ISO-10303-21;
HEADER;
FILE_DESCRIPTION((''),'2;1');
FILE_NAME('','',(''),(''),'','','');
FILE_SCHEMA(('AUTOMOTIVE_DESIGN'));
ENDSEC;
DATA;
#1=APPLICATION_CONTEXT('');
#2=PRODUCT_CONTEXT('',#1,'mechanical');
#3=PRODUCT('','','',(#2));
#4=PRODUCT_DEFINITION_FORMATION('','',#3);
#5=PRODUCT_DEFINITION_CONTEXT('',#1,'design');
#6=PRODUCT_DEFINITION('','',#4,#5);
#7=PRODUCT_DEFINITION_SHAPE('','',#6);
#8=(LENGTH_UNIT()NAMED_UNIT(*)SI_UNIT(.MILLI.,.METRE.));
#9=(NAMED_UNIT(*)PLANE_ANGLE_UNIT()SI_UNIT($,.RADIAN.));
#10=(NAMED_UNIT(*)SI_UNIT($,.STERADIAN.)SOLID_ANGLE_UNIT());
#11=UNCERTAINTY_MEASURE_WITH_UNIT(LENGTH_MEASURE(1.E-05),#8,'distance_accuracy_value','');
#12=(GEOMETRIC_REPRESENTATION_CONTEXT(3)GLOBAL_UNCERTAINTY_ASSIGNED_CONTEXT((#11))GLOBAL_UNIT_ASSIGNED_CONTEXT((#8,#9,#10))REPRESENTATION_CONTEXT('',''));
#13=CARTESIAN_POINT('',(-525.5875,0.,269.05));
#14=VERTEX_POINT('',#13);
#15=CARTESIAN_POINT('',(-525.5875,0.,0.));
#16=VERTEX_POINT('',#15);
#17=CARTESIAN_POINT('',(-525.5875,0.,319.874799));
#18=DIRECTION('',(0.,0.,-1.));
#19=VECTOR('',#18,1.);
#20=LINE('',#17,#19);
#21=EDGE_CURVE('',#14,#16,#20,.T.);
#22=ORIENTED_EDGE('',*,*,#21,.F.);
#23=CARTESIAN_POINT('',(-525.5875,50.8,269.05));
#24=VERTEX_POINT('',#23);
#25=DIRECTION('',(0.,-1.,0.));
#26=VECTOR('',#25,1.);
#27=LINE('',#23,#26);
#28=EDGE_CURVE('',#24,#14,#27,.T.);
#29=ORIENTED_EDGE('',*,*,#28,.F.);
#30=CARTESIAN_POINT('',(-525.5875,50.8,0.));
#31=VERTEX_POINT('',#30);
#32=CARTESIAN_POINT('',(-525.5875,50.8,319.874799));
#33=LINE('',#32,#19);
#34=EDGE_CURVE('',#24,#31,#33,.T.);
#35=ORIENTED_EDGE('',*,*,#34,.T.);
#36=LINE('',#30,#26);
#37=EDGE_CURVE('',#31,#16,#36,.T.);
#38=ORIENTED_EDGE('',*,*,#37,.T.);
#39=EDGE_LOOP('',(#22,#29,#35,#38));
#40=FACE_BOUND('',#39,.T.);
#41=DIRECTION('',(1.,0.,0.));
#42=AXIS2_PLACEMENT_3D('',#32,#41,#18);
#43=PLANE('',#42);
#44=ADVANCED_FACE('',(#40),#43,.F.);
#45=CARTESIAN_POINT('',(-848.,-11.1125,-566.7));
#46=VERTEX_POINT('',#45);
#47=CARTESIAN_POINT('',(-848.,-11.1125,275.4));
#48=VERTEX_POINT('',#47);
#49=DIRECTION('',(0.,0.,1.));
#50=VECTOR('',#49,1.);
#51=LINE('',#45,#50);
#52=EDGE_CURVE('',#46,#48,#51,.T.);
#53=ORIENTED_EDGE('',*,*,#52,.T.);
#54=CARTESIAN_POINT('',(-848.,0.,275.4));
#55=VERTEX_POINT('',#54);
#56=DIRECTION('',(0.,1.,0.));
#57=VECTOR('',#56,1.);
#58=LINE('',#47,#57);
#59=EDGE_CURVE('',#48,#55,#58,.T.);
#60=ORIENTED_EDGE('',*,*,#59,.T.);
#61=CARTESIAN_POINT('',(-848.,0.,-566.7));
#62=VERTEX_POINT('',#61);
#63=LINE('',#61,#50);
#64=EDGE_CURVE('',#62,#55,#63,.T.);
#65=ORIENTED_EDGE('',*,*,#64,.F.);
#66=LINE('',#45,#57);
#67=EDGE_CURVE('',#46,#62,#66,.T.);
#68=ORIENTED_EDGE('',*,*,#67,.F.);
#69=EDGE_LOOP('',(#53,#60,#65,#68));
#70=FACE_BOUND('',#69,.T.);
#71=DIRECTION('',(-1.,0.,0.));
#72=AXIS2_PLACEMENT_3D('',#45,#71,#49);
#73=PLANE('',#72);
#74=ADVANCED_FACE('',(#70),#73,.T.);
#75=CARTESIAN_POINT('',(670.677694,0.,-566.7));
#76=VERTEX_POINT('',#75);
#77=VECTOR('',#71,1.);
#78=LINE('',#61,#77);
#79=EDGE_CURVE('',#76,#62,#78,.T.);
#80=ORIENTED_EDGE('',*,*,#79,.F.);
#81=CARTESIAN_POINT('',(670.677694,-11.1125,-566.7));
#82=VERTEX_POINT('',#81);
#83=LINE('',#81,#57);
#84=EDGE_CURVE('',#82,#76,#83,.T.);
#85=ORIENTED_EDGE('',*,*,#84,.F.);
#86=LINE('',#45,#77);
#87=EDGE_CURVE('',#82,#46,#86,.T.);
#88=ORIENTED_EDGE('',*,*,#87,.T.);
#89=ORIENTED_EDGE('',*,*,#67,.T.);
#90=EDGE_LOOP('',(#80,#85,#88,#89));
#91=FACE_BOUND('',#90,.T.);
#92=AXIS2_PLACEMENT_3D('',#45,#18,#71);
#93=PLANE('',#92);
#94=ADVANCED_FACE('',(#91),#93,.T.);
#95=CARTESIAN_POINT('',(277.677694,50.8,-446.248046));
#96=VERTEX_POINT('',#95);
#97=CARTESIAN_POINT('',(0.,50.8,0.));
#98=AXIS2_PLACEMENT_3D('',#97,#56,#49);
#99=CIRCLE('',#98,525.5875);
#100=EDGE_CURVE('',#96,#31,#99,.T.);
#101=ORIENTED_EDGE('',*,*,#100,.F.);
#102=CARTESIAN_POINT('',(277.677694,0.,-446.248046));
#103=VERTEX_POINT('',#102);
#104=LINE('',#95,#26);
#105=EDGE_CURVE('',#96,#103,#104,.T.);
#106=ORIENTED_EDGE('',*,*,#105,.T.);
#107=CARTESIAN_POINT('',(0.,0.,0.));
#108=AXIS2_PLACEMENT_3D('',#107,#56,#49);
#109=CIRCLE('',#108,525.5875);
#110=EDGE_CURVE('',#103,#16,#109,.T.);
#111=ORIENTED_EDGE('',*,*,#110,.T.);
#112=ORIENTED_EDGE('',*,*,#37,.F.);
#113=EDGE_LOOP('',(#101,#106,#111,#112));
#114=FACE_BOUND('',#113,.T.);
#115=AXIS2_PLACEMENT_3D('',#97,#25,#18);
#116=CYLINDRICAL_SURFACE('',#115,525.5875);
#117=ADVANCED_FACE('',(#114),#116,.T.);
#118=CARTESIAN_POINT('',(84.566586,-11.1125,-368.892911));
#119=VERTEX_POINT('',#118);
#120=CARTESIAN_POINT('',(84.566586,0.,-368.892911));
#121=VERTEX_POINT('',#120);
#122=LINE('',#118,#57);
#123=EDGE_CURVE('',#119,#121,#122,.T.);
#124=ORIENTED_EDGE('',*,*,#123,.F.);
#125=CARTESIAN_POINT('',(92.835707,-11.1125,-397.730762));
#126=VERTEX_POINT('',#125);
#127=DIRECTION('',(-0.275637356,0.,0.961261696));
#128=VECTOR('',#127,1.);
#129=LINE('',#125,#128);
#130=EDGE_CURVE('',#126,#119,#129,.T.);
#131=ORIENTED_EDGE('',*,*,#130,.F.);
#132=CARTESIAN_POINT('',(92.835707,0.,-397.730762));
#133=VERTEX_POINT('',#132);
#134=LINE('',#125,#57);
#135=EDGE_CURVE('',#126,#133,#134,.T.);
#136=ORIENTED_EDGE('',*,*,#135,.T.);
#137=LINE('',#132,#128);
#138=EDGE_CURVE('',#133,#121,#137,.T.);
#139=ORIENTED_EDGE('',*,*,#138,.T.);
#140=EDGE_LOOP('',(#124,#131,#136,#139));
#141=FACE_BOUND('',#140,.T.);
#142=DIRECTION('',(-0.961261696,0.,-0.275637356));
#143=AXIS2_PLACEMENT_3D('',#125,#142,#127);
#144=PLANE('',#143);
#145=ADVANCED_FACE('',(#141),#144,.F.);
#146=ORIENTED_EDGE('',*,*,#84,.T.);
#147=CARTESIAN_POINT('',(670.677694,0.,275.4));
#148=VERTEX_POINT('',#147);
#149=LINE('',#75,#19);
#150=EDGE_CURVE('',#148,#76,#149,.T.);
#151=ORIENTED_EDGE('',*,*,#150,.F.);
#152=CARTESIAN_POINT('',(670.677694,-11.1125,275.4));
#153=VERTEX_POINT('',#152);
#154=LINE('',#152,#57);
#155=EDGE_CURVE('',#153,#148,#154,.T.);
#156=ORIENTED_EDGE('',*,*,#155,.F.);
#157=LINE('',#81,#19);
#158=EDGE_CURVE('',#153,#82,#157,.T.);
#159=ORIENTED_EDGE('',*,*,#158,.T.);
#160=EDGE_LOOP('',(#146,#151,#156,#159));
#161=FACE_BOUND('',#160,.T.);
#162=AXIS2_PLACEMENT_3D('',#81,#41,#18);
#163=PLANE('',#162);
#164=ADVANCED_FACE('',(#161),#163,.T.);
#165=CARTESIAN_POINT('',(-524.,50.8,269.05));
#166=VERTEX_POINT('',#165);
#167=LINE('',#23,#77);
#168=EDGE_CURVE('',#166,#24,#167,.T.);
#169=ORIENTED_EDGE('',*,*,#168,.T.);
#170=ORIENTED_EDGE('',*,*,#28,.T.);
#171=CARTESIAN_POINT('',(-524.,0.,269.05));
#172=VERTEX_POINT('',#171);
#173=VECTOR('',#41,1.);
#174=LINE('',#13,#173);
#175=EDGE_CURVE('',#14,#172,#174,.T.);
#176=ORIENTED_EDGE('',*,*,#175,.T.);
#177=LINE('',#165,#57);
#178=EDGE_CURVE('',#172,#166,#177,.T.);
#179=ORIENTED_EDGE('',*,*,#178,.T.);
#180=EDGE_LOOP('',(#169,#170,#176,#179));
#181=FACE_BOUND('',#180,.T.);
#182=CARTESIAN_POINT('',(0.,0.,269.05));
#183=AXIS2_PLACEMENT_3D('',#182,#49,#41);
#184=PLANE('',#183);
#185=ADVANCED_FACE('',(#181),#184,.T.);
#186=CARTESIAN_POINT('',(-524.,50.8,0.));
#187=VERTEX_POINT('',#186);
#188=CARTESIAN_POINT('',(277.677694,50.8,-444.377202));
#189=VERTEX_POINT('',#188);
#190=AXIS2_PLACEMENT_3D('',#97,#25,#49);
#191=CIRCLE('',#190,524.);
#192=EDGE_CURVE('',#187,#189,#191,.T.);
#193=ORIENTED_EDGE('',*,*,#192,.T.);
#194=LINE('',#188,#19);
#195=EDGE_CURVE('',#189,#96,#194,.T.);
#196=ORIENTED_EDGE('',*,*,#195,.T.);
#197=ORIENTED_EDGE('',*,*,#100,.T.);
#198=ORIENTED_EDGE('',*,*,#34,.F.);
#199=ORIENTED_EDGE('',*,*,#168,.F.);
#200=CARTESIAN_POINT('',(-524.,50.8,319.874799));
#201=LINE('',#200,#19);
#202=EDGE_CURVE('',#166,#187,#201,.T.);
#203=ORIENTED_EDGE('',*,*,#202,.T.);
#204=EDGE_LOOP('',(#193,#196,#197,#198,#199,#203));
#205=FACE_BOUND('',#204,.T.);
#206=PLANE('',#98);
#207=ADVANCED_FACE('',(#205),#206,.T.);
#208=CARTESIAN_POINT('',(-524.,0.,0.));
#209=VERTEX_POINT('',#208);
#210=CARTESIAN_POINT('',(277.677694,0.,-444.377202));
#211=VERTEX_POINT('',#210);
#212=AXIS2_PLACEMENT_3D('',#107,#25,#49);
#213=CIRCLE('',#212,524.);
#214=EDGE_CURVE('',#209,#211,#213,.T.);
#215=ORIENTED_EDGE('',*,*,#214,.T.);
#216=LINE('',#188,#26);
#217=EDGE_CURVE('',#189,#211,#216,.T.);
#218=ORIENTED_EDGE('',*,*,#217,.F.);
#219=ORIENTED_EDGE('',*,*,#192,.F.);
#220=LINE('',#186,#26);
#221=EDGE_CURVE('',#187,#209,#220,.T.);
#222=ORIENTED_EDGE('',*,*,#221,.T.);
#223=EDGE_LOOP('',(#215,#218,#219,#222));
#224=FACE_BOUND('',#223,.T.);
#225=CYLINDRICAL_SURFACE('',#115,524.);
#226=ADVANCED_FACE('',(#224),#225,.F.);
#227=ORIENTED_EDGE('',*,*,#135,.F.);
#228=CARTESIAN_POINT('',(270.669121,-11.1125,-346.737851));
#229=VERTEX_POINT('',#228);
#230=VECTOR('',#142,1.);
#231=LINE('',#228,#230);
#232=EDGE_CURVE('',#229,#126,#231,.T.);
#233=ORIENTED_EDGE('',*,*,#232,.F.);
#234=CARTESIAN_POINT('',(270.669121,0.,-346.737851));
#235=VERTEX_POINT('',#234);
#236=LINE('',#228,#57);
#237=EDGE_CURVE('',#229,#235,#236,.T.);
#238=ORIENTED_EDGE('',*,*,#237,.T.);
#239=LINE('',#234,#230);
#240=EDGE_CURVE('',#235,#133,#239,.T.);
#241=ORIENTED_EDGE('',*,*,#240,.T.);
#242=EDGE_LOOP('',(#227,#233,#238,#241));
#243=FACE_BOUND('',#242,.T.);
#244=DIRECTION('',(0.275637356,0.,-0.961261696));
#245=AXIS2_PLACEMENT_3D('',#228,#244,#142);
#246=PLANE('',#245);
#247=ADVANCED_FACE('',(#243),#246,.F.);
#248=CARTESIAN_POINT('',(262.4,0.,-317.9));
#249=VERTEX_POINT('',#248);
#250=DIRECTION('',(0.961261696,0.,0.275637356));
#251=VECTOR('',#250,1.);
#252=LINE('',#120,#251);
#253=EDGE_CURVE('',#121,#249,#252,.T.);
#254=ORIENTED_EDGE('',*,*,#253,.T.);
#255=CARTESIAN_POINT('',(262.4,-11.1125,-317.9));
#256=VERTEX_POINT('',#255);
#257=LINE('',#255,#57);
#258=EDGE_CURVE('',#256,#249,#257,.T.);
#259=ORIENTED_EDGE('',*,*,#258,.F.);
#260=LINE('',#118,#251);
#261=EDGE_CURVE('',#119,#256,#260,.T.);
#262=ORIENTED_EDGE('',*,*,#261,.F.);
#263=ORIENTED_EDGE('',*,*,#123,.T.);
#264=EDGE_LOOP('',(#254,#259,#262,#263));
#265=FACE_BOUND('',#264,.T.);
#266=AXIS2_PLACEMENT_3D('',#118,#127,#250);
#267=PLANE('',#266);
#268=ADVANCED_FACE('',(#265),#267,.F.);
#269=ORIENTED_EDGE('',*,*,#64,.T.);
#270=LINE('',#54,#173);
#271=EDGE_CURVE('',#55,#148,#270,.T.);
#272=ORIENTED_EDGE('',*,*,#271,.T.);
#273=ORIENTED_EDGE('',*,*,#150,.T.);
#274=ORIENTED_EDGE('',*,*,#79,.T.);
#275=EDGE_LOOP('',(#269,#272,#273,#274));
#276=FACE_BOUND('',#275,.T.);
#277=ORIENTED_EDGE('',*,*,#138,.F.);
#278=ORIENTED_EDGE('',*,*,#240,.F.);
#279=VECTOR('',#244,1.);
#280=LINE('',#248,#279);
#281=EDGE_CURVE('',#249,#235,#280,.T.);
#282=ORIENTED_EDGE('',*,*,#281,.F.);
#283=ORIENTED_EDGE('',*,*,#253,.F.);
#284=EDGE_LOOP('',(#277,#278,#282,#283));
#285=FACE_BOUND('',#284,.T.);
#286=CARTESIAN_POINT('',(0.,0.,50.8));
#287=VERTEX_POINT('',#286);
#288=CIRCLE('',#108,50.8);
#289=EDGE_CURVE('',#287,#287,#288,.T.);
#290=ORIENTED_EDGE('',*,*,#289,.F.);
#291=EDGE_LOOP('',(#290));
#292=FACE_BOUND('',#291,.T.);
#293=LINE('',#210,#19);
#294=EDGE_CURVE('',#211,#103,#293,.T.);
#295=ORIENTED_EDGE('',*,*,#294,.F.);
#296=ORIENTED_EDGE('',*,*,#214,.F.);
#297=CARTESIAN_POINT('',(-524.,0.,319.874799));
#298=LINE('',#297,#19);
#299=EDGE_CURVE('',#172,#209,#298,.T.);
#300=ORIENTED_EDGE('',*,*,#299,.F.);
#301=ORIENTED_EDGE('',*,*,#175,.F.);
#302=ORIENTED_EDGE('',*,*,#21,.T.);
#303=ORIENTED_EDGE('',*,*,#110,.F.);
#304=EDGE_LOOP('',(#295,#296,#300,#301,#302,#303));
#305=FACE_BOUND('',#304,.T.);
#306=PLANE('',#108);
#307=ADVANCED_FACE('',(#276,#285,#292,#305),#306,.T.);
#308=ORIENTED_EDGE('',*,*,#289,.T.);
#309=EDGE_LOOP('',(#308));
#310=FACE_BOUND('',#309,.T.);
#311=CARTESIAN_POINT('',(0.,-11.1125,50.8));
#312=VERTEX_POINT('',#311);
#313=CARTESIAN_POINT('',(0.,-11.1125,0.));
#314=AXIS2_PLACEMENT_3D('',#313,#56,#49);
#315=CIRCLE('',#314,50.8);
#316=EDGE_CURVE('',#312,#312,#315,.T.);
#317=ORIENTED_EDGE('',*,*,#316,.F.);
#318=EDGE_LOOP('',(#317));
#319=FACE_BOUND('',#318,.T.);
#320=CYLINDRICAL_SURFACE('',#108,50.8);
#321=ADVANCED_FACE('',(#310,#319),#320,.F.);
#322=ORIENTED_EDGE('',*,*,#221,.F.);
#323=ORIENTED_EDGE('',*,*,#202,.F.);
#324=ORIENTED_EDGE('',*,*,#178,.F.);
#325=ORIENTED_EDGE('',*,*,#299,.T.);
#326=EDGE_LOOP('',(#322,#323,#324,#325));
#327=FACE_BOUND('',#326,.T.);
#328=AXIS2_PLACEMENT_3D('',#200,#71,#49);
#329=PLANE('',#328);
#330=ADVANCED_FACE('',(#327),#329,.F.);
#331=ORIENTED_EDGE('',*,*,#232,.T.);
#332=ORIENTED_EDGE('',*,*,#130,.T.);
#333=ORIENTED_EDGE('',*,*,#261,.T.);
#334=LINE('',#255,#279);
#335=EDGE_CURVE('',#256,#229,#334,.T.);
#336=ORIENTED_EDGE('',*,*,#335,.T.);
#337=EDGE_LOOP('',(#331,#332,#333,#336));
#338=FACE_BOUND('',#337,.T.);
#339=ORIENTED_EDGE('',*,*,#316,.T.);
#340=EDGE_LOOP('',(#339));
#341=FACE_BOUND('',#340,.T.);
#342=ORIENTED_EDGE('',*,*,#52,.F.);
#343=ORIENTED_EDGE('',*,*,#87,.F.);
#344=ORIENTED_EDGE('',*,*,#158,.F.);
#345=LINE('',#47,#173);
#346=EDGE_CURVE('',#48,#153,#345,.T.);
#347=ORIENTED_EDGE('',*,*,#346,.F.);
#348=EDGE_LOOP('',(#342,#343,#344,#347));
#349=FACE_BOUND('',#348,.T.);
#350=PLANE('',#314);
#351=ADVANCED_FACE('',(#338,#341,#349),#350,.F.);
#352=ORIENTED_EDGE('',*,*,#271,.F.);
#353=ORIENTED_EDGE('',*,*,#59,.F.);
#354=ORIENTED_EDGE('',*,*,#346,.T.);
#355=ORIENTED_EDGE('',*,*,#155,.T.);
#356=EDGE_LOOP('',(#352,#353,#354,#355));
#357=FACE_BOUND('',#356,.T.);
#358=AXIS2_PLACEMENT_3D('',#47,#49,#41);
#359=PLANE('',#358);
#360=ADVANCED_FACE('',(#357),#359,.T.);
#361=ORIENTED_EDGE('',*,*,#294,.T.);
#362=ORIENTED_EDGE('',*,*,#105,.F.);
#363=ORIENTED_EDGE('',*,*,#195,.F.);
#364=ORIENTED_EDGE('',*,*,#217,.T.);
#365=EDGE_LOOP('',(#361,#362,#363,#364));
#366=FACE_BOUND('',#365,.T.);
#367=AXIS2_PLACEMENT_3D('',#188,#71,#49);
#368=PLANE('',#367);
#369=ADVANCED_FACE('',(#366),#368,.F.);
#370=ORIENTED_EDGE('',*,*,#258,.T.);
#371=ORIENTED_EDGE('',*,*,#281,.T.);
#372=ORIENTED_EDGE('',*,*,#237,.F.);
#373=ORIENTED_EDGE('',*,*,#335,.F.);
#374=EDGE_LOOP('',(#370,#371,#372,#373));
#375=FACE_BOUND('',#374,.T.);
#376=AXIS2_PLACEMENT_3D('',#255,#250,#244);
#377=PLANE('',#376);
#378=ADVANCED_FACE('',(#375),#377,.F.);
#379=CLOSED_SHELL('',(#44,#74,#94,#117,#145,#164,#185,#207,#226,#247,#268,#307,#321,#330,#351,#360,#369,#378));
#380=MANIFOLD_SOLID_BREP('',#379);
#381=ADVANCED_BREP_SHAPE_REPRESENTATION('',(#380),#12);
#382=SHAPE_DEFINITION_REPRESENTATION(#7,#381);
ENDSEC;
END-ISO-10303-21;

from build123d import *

# Parameters (mm, degrees)
BOSS_EXTRUDE1_DEPTH    = 50.8
SKETCH4_W              = 1518.677694458
SKETCH4_H              = 842.1
BOSS_EXTRUDE2_DEPTH    = 11.1125
F_20_0MM_DOWEL_HOLE1_D = 101.6
SKETCH8_W              = 1.5875
SKETCH8_H              = 50.8
BOSS_EXTRUDE3_DEPTH    = 269.05
CUT_EXTRUDE1_DEPTH     = 1022.192210115


with BuildPart() as part:
    # Sketch3 → Boss-Extrude1 (new body)
    with BuildSketch(Plane(origin=(0, 0, 0), x_dir=(1, 0, 0), z_dir=(0, 1, 0))):
        with BuildLine():
            Line((-524, 0), (-525.5875, 0))
            ThreePointArc((-525.5875, 0), (-255.243310314, 459.448661655), (277.677694458, 446.248045549))
            Line((277.677694458, 446.248045549), (277.677694458, 444.377202386))
            ThreePointArc((277.677694458, 444.377202386), (-254.040241009, 458.300726541), (-524, 0))
        make_face()
    extrude(amount=BOSS_EXTRUDE1_DEPTH)

    # Sketch4 → Boss-Extrude2 (add)
    with BuildSketch(Plane(origin=(0, 0, 0), x_dir=(1, 0, 0), z_dir=(0, 1, 0))):
        with Locations((-88.661152771, 145.65)):
            Rectangle(SKETCH4_W, SKETCH4_H)
    extrude(amount=-BOSS_EXTRUDE2_DEPTH)

    # Ø20.0mm Dowel Hole1 (through all)
    with Locations(Plane(origin=(0, 0, 0), x_dir=(1, 0, 0), z_dir=(0, 1, 0))):
        with Locations((0, 0)):
            Hole(F_20_0MM_DOWEL_HOLE1_D / 2)

    # Sketch8 → Boss-Extrude3 (add)
    with BuildSketch(Plane.XY):
        with Locations((-524.79375, 25.4)):
            Rectangle(SKETCH8_W, SKETCH8_H)
    extrude(amount=BOSS_EXTRUDE3_DEPTH)

    # Sketch9 → Cut-Extrude1 (cut, through all)
    with BuildSketch(Plane(origin=(0, 0, 0), x_dir=(1, 0, 0), z_dir=(0, 1, 0))):
        Polygon((270.669120675, 346.737850878), (92.835706926, 397.730761704), (84.566586251, 368.892910826), (262.4, 317.9), align=None)
    extrude(amount=-CUT_EXTRUDE1_DEPTH, mode=Mode.SUBTRACT)


solid = part.part
